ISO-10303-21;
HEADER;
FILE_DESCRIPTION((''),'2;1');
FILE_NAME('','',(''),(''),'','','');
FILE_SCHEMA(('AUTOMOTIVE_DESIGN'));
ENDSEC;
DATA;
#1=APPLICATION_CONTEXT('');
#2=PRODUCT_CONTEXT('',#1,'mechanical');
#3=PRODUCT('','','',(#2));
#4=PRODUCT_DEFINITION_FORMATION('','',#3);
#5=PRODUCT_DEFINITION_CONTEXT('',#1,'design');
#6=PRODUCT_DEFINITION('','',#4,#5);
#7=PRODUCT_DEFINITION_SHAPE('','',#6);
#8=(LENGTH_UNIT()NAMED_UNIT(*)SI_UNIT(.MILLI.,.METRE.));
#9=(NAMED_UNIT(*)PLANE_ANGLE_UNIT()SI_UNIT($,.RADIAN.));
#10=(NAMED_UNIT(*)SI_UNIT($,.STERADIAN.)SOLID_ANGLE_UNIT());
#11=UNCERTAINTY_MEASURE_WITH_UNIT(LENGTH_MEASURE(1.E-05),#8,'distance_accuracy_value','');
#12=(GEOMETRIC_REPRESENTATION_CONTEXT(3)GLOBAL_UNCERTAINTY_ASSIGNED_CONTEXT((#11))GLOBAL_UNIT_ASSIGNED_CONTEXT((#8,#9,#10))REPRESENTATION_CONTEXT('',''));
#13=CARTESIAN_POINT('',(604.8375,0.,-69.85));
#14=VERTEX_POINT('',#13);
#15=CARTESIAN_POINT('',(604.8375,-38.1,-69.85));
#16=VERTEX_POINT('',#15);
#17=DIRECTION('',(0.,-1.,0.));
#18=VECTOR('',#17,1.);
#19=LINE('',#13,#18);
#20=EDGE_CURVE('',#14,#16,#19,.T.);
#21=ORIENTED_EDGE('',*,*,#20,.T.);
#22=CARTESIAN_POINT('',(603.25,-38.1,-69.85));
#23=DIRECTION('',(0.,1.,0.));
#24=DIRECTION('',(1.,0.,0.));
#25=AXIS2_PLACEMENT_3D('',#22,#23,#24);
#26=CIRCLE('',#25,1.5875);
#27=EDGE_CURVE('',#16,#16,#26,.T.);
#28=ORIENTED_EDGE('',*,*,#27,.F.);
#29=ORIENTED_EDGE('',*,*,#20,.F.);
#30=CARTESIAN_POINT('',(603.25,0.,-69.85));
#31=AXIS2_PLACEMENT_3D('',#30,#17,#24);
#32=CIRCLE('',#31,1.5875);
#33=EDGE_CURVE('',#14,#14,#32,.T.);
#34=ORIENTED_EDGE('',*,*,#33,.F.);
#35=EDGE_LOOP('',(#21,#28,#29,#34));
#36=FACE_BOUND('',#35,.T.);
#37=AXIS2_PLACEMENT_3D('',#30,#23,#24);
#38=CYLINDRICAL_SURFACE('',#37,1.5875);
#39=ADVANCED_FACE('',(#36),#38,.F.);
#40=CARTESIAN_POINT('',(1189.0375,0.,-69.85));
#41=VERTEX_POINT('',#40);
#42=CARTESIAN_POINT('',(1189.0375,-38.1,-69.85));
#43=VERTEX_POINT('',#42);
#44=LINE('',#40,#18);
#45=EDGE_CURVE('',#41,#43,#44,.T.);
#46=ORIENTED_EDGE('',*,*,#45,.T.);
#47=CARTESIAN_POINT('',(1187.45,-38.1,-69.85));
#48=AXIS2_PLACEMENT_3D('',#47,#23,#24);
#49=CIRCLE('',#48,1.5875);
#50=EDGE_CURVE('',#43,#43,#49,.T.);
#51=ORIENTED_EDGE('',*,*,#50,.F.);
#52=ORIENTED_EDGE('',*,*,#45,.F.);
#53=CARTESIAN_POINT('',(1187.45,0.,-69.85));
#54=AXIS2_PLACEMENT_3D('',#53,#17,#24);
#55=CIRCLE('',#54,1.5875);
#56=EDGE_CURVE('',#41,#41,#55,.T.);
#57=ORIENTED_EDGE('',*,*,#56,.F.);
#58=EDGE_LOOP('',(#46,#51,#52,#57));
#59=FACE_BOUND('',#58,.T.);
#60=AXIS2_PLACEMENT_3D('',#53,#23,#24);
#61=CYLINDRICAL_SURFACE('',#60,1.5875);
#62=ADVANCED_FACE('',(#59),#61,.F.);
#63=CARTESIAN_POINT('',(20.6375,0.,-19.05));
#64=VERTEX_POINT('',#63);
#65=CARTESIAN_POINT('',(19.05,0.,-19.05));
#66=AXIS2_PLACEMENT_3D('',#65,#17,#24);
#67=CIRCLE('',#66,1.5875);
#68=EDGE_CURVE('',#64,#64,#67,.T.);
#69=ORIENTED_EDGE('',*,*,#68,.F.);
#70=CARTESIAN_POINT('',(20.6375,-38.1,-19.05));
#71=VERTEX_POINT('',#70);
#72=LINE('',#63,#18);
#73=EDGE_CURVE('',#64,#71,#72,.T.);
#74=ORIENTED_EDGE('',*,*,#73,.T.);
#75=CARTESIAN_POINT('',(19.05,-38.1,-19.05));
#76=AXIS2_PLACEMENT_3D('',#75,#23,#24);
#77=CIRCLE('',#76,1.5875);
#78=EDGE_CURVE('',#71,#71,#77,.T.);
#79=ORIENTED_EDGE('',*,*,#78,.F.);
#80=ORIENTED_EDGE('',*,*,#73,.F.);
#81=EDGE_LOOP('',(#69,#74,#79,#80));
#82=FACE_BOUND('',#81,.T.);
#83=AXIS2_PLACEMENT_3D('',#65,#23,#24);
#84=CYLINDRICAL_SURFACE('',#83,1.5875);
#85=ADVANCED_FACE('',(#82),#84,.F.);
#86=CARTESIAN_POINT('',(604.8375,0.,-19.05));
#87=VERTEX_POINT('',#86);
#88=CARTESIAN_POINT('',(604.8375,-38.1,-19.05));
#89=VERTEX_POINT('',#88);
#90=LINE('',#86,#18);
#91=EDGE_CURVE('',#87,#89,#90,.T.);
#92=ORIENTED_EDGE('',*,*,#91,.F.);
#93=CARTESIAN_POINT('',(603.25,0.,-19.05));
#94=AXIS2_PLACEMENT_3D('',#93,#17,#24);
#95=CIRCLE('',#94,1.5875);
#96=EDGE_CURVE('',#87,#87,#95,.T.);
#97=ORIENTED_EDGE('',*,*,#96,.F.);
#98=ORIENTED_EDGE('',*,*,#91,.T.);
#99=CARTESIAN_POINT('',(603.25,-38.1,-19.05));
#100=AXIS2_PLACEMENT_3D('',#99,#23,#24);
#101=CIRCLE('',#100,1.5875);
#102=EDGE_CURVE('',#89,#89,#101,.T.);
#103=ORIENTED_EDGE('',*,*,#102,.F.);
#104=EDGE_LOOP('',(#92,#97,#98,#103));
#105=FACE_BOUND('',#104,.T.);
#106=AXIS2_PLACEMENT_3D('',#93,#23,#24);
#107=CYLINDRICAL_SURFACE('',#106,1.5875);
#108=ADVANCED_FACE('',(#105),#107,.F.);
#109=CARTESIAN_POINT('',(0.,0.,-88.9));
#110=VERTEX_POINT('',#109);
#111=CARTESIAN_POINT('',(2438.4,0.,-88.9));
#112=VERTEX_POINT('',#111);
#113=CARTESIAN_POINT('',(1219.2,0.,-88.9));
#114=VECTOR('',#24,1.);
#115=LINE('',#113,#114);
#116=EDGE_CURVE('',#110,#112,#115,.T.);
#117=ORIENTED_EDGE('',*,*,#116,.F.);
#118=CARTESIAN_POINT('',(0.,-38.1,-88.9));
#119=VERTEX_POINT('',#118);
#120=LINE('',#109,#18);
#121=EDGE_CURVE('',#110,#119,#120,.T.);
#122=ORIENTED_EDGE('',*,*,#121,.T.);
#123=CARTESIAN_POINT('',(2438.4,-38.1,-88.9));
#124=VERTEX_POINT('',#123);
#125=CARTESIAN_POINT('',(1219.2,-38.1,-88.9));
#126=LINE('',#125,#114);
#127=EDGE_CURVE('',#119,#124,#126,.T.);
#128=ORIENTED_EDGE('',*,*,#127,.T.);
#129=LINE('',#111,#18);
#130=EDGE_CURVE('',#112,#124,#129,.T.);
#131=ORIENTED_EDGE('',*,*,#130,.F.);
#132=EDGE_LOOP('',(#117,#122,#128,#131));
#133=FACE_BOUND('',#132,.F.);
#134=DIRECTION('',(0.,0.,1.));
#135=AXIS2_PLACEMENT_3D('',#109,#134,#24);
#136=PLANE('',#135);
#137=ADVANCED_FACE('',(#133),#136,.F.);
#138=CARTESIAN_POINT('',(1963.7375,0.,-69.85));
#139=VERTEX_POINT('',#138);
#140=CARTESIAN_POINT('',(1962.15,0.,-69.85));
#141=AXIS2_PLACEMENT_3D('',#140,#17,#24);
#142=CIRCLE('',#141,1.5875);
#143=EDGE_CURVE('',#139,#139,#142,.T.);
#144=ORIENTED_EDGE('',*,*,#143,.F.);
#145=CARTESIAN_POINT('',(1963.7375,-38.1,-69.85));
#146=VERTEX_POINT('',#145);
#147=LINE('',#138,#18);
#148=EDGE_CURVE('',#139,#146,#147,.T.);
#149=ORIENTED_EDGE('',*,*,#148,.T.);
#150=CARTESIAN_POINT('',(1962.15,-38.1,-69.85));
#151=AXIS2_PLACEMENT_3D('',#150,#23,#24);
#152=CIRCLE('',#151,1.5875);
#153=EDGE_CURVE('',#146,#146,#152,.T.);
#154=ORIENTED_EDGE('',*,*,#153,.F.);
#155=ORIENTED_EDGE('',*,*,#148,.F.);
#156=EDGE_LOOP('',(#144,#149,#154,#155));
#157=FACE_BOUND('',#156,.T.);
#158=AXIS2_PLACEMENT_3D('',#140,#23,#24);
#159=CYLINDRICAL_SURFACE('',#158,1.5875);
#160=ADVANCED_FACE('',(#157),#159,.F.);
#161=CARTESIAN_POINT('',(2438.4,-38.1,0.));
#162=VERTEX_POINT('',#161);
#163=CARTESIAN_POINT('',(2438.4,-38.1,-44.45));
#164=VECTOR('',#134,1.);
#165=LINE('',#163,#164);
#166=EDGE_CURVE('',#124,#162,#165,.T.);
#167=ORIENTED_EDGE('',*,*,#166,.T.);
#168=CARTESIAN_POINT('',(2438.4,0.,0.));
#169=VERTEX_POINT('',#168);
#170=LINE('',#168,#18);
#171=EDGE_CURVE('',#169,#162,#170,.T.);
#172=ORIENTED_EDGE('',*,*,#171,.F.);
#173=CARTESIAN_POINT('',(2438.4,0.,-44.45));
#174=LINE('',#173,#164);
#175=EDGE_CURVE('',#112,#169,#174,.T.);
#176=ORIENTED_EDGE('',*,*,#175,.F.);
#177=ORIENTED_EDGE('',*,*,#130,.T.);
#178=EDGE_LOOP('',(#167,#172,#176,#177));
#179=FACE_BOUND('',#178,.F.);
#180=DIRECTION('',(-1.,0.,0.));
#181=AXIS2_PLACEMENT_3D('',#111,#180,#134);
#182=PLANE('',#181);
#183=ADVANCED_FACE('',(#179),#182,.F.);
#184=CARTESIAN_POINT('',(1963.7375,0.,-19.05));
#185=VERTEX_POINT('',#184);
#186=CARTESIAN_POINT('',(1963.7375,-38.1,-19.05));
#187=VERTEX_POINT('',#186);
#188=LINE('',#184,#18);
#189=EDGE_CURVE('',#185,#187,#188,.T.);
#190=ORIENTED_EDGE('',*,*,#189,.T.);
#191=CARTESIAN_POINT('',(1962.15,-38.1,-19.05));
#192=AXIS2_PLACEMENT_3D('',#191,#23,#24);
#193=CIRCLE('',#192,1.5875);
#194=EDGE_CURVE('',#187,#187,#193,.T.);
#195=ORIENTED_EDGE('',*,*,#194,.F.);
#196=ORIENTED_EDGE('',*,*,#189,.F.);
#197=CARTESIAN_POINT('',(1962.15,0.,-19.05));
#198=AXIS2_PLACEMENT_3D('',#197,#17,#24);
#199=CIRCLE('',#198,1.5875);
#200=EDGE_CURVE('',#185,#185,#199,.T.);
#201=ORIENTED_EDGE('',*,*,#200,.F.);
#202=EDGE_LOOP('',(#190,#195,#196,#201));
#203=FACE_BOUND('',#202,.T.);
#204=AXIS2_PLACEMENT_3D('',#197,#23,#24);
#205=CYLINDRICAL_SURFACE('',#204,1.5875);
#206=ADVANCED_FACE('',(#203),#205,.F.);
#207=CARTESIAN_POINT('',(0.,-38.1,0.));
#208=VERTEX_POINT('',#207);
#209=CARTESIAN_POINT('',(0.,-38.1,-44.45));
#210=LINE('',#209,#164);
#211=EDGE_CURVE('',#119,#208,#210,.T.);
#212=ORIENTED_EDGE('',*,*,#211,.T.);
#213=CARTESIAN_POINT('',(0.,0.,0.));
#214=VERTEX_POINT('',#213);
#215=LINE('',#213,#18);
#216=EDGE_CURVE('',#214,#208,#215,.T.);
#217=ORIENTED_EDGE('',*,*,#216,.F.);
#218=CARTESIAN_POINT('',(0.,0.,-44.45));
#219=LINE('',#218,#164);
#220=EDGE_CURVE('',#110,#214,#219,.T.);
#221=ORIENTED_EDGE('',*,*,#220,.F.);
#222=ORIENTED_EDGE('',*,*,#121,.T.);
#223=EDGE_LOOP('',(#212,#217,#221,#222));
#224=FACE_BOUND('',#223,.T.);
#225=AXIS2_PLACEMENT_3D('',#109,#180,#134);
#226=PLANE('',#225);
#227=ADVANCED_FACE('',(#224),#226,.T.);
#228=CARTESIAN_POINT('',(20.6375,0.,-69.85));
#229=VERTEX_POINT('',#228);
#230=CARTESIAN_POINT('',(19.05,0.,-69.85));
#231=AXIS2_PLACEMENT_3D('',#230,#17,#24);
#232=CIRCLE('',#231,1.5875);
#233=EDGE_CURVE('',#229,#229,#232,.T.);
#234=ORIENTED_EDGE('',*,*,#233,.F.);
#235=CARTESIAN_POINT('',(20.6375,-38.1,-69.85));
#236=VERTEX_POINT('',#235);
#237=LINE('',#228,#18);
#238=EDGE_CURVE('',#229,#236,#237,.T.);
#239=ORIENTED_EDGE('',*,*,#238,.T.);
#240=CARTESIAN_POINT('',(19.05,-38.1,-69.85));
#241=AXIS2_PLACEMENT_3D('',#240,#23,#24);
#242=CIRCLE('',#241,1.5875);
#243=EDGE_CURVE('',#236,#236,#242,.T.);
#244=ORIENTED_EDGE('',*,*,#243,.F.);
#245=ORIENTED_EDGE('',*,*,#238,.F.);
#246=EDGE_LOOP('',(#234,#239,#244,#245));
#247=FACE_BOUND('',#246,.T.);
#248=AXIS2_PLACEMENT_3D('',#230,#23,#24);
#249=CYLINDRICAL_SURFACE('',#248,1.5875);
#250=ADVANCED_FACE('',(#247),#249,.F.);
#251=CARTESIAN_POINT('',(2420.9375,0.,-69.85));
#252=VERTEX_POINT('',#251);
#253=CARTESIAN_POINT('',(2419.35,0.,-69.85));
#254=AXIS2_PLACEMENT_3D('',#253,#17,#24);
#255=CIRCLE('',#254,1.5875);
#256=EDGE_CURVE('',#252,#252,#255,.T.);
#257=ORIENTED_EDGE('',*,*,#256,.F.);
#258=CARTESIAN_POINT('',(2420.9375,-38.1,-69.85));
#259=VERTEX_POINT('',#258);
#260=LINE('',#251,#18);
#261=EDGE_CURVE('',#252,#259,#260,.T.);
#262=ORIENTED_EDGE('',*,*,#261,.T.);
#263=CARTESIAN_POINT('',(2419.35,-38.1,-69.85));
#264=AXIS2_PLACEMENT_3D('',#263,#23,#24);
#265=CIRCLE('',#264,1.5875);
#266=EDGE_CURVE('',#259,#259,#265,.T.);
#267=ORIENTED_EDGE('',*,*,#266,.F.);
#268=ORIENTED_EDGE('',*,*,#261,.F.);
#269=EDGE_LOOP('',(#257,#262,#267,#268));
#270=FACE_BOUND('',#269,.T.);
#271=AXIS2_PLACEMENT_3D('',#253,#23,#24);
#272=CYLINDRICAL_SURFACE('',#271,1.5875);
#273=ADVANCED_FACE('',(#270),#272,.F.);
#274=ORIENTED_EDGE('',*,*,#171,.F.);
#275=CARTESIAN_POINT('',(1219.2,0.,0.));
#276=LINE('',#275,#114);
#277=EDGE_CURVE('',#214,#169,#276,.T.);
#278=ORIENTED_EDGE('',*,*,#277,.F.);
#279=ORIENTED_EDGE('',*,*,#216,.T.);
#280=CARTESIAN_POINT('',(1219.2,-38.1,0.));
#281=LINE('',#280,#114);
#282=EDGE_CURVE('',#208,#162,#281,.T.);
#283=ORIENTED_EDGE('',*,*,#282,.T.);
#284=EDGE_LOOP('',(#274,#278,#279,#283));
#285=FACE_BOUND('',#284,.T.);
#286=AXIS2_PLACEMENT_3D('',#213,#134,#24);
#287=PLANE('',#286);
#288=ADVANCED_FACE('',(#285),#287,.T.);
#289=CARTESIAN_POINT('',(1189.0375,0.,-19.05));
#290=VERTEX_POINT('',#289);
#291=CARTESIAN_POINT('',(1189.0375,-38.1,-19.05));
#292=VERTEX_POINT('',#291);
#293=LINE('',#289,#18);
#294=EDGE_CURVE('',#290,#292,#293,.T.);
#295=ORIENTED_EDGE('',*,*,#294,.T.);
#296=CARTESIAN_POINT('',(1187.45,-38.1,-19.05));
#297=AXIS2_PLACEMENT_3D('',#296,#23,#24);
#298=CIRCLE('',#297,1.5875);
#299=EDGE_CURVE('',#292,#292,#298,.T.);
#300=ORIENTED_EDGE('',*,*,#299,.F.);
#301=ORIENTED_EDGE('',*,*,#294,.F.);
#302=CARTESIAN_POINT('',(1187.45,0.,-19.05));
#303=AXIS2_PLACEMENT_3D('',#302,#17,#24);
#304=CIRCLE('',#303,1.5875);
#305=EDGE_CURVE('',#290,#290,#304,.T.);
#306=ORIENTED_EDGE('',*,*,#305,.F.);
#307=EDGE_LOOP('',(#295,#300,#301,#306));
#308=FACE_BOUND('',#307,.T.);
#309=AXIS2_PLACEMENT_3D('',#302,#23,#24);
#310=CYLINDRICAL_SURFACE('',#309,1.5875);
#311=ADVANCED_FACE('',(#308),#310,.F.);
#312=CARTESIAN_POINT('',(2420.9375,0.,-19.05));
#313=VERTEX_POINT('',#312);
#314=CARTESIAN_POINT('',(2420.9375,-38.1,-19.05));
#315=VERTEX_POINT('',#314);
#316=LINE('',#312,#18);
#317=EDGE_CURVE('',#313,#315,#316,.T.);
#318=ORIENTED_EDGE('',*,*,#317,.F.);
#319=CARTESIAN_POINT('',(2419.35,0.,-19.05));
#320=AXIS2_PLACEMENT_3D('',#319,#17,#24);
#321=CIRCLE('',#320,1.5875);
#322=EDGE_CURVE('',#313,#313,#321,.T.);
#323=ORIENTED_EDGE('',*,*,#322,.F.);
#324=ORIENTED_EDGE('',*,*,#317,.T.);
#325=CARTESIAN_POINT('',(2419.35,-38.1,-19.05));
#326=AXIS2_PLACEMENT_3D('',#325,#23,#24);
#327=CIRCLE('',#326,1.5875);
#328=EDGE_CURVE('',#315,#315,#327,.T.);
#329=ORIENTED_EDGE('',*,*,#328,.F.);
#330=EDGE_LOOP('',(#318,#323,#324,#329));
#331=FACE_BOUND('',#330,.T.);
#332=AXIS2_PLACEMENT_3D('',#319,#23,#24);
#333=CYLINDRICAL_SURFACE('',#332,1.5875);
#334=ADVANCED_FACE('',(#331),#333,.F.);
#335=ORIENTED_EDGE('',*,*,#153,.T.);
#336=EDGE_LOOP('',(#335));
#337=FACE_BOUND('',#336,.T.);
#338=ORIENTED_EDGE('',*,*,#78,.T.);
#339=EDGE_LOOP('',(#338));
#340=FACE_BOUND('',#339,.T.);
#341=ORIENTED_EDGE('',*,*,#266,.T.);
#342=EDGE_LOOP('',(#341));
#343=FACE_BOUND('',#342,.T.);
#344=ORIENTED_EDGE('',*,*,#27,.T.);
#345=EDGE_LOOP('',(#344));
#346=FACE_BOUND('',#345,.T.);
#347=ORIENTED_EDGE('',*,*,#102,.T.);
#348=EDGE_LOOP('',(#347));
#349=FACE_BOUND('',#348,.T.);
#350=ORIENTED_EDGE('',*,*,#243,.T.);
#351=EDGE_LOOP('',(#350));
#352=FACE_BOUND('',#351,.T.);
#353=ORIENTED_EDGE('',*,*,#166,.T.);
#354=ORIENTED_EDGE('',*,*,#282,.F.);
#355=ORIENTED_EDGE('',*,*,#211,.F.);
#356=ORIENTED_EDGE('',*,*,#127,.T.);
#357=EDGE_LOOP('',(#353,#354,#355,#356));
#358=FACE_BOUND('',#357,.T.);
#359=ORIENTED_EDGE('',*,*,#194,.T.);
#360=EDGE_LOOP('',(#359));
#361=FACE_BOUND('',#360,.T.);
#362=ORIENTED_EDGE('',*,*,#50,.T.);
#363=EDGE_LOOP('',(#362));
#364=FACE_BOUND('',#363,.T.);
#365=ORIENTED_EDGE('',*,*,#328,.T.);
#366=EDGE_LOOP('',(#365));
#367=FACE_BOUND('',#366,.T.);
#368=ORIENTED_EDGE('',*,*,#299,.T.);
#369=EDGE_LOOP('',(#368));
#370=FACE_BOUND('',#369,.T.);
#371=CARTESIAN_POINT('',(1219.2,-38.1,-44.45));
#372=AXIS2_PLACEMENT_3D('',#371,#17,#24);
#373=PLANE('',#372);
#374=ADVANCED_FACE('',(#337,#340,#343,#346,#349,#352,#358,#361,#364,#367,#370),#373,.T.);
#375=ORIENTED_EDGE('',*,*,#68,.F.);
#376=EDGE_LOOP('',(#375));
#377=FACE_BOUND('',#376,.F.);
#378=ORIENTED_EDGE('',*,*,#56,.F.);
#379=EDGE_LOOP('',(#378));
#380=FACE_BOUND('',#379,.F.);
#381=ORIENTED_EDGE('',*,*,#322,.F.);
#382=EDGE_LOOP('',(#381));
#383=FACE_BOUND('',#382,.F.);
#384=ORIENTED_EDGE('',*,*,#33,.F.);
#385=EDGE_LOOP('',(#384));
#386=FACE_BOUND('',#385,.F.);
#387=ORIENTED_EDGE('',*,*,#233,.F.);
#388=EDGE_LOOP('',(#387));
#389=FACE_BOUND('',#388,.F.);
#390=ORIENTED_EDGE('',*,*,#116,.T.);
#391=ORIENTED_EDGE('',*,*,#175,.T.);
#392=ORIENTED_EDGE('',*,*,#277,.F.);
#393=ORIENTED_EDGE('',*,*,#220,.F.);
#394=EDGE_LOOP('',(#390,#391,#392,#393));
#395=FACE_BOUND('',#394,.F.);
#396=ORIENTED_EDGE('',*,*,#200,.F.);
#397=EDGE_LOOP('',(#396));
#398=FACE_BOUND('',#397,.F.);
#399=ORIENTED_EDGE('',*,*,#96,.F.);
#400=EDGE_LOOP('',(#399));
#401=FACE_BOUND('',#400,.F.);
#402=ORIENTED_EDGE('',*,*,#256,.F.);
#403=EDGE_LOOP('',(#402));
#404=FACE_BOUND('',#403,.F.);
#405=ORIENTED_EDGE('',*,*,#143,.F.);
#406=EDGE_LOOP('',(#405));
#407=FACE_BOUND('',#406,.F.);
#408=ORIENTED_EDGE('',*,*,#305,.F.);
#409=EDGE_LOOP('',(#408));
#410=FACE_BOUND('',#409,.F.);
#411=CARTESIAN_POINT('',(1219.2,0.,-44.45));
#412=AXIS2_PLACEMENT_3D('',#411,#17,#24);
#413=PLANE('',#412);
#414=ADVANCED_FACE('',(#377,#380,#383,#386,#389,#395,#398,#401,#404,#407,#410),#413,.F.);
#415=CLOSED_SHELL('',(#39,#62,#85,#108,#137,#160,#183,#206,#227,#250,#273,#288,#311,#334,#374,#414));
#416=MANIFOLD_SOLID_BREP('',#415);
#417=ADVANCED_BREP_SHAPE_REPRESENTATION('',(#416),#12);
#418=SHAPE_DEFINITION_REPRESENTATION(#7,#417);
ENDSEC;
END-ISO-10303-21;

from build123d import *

# Parameters (mm, degrees)
F0_W     = 2438.4
F0_H     = 88.9
F1_DEPTH = 38.1
F2_R     = 1.5875
F3_DEPTH = 38.101
F4_R     = 1.5875
F5_DEPTH = 38.101
F6_R     = 1.5875
F7_DEPTH = 38.101


with BuildPart() as f1:
    # F0 (on Front) → F1 (new body)
    with BuildSketch(Plane.XZ):
        with Locations((1219.2, -44.45)):
            Rectangle(F0_W, F0_H)
    extrude(amount=F1_DEPTH)

    # F2 (on Front) → F3 (cut, through all)
    with BuildSketch(Plane.XZ):
        with Locations((19.05, -19.05)):
            Circle(F2_R)
        with Locations((19.05, -69.85)):
            Circle(F2_R)
        with Locations((2419.35, -19.05)):
            Circle(F2_R)
        with Locations((2419.35, -69.85)):
            Circle(F2_R)
        with Locations((4819.65, -19.05)):
            Circle(F2_R)
        with Locations((4819.65, -69.85)):
            Circle(F2_R)
    extrude(amount=F3_DEPTH, mode=Mode.SUBTRACT)

    # F4 (on Front) → F5 (cut, through all)
    with BuildSketch(Plane.XZ):
        with Locations((1187.45, -19.05)):
            Circle(F4_R)
        with Locations((1187.45, -69.85)):
            Circle(F4_R)
        with Locations((1962.15, -19.05)):
            Circle(F4_R)
        with Locations((1962.15, -69.85)):
            Circle(F4_R)
    extrude(amount=F5_DEPTH, mode=Mode.SUBTRACT)

    # F6 (on Front) → F7 (cut, through all)
    with BuildSketch(Plane.XZ):
        with Locations((603.25, -19.05)):
            Circle(F6_R)
        with Locations((603.25, -69.85)):
            Circle(F6_R)
    extrude(amount=F7_DEPTH, mode=Mode.SUBTRACT)


solid = f1.part
